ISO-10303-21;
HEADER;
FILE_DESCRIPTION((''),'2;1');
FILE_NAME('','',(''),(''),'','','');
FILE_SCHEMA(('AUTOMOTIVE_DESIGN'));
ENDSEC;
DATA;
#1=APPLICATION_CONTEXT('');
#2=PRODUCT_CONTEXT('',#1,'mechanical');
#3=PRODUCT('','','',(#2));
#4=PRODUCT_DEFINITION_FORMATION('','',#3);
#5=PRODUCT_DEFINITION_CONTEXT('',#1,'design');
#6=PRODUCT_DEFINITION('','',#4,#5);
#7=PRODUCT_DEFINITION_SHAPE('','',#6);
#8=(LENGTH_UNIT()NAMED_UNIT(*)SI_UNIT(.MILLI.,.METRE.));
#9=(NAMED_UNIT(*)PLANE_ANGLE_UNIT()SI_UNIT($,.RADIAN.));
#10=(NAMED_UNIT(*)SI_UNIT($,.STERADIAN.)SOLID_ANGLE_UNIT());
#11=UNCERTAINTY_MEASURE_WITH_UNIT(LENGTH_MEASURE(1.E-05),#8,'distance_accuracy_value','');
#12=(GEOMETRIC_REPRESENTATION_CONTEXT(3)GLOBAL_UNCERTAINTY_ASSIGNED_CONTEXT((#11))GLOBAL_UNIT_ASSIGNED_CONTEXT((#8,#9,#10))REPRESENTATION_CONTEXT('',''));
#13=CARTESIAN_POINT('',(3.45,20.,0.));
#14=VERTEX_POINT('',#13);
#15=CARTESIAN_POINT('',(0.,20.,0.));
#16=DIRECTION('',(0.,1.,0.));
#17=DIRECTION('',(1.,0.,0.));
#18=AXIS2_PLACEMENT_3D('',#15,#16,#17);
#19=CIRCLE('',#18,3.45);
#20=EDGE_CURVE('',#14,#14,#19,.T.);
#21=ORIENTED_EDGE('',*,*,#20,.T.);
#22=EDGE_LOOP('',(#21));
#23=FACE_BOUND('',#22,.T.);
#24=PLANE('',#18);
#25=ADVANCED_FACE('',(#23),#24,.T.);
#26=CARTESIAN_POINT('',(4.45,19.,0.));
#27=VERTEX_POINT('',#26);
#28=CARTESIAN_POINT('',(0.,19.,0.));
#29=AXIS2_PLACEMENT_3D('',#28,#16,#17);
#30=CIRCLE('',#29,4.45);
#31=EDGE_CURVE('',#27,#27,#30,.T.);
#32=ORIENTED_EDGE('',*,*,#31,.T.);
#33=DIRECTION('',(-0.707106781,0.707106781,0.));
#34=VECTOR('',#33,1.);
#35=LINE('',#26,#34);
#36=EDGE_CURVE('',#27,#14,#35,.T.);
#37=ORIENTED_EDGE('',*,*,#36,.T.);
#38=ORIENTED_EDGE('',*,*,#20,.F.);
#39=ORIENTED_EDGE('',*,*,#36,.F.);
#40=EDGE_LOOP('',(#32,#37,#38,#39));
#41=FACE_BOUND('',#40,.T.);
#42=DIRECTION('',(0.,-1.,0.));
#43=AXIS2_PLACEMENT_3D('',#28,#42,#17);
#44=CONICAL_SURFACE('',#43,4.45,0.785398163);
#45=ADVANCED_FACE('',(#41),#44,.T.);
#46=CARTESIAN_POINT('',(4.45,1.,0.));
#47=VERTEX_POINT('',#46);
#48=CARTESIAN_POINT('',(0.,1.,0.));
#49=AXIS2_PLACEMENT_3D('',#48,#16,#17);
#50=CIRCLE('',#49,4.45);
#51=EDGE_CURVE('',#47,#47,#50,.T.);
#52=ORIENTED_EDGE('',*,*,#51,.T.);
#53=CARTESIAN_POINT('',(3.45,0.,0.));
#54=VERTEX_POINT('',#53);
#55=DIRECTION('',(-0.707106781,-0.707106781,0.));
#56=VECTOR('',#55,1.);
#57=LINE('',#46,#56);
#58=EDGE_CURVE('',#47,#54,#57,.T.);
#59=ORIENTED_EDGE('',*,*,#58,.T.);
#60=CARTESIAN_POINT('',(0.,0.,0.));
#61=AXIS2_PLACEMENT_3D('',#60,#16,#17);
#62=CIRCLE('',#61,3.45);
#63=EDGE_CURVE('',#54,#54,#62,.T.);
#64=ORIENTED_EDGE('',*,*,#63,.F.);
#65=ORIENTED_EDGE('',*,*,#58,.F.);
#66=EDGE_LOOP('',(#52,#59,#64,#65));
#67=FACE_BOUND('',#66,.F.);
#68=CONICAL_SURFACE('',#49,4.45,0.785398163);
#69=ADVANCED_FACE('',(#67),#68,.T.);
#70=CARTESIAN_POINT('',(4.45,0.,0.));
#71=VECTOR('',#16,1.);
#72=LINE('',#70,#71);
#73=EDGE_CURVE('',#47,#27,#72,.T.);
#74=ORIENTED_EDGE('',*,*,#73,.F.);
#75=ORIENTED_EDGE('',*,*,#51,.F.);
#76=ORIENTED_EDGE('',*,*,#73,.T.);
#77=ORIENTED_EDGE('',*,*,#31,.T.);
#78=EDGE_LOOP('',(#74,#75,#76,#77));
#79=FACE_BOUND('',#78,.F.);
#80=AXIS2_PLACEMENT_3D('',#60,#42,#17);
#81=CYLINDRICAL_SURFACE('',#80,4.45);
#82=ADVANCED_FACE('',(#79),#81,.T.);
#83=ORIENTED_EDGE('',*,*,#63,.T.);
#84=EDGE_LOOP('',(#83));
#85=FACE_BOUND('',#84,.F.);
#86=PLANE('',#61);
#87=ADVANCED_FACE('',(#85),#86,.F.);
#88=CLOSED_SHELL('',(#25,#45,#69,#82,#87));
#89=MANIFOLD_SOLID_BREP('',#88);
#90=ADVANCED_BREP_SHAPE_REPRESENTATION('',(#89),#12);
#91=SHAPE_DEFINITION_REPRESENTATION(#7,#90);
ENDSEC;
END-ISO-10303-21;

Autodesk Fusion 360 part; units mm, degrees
sketch "Sketch1" plane through (0, 0, 0) normal (0, 1, 0) x (1, 0, 0)
  circle A0 centre (0, 0) radius 4.45
  dimension "d1" = 8.9
extrude "Extrude1" add sketch "Sketch1" along normal blind 20
chamfer "Chamfer1" distance 1 angle 45 2 edges at (-4.1489, 0, 1.6092) (-4.1489, 20, 1.6092)
